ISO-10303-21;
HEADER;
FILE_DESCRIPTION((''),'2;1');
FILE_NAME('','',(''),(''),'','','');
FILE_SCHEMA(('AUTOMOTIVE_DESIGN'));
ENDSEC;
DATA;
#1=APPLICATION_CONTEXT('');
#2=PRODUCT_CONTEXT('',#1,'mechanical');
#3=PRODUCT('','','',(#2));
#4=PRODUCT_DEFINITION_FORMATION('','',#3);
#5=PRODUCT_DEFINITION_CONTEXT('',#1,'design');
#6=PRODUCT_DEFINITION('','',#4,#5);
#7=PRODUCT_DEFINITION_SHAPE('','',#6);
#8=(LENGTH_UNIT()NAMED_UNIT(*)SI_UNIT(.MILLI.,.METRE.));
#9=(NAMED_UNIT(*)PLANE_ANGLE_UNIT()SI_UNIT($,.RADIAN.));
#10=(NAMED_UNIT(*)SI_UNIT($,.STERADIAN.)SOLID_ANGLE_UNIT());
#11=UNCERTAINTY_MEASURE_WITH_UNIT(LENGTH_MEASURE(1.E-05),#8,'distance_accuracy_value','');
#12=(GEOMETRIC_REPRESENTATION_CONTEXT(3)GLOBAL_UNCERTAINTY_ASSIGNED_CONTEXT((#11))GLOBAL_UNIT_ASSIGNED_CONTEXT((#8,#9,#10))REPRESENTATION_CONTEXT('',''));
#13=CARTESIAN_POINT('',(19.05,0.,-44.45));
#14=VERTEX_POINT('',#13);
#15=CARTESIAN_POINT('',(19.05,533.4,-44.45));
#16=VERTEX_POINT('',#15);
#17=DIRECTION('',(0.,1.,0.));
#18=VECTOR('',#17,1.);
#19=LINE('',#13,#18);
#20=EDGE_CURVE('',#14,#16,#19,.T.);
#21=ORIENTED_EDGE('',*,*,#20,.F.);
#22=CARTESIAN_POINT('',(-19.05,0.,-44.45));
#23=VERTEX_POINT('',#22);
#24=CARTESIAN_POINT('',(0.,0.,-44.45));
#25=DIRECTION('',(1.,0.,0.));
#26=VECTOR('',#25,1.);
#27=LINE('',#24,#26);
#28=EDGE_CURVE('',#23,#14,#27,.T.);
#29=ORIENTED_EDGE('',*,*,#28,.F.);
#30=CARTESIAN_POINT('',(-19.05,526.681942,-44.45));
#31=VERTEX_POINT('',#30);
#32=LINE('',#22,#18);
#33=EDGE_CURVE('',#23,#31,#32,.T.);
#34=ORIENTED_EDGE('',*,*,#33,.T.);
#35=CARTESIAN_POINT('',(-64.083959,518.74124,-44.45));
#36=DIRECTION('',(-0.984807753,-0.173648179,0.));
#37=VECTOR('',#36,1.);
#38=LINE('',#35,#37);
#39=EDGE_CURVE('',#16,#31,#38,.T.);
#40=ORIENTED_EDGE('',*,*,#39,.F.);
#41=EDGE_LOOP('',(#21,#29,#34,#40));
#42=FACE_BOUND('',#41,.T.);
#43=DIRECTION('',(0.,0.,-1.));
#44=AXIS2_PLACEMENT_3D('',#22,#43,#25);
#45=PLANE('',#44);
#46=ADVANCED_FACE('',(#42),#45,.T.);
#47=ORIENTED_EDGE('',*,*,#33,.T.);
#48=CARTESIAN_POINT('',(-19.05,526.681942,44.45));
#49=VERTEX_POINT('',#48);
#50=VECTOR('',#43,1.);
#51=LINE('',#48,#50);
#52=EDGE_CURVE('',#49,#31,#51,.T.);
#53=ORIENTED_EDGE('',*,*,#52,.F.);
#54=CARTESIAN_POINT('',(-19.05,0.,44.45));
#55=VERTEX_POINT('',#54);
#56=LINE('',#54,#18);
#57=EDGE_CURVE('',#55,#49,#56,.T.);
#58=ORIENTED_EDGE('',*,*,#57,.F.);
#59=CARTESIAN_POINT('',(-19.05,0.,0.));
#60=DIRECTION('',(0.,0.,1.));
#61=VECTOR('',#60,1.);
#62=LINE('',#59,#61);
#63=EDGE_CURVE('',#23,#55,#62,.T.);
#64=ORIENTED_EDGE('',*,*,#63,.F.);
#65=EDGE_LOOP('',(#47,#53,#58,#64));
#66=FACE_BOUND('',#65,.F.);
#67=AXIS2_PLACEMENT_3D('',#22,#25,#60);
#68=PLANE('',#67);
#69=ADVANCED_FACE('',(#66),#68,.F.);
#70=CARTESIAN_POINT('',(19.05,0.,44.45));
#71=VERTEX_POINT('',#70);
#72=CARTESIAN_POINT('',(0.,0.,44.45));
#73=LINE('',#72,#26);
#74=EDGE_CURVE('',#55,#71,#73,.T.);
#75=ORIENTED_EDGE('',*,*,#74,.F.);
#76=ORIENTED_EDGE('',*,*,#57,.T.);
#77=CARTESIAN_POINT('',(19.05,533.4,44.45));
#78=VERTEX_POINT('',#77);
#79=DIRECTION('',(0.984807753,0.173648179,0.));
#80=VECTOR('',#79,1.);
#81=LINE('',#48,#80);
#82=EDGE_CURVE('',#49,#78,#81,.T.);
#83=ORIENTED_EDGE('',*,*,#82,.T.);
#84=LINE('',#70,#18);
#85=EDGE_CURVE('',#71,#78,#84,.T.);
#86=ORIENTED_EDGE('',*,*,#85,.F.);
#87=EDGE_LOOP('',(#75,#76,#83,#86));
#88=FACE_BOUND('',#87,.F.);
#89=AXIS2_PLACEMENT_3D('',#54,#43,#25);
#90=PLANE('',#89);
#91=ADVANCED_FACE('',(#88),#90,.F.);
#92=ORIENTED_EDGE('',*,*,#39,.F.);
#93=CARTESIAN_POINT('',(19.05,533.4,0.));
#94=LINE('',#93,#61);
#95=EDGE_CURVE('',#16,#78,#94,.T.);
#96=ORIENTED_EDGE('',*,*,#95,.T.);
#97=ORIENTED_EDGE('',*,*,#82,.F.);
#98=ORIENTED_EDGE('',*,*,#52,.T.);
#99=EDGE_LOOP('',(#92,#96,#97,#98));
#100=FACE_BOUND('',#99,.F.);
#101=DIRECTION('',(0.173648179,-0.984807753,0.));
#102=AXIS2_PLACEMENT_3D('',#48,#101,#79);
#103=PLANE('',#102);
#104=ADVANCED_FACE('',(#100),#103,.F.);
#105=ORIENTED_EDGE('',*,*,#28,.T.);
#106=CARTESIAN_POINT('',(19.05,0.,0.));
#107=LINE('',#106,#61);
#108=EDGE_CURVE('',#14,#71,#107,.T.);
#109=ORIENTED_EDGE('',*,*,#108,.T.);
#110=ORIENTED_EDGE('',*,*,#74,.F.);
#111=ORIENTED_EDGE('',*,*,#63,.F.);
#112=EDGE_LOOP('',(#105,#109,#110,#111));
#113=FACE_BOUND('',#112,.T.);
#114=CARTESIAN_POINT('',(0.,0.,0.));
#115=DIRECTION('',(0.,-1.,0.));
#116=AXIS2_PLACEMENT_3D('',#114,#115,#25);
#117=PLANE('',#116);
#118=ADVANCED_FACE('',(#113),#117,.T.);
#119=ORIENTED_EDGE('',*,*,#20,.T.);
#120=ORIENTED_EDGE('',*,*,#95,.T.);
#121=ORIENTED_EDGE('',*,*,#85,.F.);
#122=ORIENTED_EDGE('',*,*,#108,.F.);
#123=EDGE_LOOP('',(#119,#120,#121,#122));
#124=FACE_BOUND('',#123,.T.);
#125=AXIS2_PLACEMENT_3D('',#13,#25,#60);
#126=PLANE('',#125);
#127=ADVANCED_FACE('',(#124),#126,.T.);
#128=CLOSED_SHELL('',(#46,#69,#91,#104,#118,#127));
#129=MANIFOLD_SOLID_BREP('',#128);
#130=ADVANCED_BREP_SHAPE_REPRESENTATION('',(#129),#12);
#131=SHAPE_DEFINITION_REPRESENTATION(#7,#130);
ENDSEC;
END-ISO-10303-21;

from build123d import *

# Parameters (mm, degrees)
F0_W     = 38.1
F0_H     = 88.9
F1_DEPTH = 533.4
F3_DEPTH = 88.901


with BuildPart() as f1:
    # F0 (on Front) → F1 (new body)
    with BuildSketch(Plane.XZ):
        Rectangle(F0_W, F0_H)
    extrude(amount=-F1_DEPTH)

    # F2 (on face) → F3 (cut, through all)
    with BuildSketch(Plane.XY.offset(44.45)):
        Polygon((-19.05, 526.681942), (19.05, 533.4), (-19.05, 533.4), align=None)
    extrude(amount=-F3_DEPTH, mode=Mode.SUBTRACT)


solid = f1.part
